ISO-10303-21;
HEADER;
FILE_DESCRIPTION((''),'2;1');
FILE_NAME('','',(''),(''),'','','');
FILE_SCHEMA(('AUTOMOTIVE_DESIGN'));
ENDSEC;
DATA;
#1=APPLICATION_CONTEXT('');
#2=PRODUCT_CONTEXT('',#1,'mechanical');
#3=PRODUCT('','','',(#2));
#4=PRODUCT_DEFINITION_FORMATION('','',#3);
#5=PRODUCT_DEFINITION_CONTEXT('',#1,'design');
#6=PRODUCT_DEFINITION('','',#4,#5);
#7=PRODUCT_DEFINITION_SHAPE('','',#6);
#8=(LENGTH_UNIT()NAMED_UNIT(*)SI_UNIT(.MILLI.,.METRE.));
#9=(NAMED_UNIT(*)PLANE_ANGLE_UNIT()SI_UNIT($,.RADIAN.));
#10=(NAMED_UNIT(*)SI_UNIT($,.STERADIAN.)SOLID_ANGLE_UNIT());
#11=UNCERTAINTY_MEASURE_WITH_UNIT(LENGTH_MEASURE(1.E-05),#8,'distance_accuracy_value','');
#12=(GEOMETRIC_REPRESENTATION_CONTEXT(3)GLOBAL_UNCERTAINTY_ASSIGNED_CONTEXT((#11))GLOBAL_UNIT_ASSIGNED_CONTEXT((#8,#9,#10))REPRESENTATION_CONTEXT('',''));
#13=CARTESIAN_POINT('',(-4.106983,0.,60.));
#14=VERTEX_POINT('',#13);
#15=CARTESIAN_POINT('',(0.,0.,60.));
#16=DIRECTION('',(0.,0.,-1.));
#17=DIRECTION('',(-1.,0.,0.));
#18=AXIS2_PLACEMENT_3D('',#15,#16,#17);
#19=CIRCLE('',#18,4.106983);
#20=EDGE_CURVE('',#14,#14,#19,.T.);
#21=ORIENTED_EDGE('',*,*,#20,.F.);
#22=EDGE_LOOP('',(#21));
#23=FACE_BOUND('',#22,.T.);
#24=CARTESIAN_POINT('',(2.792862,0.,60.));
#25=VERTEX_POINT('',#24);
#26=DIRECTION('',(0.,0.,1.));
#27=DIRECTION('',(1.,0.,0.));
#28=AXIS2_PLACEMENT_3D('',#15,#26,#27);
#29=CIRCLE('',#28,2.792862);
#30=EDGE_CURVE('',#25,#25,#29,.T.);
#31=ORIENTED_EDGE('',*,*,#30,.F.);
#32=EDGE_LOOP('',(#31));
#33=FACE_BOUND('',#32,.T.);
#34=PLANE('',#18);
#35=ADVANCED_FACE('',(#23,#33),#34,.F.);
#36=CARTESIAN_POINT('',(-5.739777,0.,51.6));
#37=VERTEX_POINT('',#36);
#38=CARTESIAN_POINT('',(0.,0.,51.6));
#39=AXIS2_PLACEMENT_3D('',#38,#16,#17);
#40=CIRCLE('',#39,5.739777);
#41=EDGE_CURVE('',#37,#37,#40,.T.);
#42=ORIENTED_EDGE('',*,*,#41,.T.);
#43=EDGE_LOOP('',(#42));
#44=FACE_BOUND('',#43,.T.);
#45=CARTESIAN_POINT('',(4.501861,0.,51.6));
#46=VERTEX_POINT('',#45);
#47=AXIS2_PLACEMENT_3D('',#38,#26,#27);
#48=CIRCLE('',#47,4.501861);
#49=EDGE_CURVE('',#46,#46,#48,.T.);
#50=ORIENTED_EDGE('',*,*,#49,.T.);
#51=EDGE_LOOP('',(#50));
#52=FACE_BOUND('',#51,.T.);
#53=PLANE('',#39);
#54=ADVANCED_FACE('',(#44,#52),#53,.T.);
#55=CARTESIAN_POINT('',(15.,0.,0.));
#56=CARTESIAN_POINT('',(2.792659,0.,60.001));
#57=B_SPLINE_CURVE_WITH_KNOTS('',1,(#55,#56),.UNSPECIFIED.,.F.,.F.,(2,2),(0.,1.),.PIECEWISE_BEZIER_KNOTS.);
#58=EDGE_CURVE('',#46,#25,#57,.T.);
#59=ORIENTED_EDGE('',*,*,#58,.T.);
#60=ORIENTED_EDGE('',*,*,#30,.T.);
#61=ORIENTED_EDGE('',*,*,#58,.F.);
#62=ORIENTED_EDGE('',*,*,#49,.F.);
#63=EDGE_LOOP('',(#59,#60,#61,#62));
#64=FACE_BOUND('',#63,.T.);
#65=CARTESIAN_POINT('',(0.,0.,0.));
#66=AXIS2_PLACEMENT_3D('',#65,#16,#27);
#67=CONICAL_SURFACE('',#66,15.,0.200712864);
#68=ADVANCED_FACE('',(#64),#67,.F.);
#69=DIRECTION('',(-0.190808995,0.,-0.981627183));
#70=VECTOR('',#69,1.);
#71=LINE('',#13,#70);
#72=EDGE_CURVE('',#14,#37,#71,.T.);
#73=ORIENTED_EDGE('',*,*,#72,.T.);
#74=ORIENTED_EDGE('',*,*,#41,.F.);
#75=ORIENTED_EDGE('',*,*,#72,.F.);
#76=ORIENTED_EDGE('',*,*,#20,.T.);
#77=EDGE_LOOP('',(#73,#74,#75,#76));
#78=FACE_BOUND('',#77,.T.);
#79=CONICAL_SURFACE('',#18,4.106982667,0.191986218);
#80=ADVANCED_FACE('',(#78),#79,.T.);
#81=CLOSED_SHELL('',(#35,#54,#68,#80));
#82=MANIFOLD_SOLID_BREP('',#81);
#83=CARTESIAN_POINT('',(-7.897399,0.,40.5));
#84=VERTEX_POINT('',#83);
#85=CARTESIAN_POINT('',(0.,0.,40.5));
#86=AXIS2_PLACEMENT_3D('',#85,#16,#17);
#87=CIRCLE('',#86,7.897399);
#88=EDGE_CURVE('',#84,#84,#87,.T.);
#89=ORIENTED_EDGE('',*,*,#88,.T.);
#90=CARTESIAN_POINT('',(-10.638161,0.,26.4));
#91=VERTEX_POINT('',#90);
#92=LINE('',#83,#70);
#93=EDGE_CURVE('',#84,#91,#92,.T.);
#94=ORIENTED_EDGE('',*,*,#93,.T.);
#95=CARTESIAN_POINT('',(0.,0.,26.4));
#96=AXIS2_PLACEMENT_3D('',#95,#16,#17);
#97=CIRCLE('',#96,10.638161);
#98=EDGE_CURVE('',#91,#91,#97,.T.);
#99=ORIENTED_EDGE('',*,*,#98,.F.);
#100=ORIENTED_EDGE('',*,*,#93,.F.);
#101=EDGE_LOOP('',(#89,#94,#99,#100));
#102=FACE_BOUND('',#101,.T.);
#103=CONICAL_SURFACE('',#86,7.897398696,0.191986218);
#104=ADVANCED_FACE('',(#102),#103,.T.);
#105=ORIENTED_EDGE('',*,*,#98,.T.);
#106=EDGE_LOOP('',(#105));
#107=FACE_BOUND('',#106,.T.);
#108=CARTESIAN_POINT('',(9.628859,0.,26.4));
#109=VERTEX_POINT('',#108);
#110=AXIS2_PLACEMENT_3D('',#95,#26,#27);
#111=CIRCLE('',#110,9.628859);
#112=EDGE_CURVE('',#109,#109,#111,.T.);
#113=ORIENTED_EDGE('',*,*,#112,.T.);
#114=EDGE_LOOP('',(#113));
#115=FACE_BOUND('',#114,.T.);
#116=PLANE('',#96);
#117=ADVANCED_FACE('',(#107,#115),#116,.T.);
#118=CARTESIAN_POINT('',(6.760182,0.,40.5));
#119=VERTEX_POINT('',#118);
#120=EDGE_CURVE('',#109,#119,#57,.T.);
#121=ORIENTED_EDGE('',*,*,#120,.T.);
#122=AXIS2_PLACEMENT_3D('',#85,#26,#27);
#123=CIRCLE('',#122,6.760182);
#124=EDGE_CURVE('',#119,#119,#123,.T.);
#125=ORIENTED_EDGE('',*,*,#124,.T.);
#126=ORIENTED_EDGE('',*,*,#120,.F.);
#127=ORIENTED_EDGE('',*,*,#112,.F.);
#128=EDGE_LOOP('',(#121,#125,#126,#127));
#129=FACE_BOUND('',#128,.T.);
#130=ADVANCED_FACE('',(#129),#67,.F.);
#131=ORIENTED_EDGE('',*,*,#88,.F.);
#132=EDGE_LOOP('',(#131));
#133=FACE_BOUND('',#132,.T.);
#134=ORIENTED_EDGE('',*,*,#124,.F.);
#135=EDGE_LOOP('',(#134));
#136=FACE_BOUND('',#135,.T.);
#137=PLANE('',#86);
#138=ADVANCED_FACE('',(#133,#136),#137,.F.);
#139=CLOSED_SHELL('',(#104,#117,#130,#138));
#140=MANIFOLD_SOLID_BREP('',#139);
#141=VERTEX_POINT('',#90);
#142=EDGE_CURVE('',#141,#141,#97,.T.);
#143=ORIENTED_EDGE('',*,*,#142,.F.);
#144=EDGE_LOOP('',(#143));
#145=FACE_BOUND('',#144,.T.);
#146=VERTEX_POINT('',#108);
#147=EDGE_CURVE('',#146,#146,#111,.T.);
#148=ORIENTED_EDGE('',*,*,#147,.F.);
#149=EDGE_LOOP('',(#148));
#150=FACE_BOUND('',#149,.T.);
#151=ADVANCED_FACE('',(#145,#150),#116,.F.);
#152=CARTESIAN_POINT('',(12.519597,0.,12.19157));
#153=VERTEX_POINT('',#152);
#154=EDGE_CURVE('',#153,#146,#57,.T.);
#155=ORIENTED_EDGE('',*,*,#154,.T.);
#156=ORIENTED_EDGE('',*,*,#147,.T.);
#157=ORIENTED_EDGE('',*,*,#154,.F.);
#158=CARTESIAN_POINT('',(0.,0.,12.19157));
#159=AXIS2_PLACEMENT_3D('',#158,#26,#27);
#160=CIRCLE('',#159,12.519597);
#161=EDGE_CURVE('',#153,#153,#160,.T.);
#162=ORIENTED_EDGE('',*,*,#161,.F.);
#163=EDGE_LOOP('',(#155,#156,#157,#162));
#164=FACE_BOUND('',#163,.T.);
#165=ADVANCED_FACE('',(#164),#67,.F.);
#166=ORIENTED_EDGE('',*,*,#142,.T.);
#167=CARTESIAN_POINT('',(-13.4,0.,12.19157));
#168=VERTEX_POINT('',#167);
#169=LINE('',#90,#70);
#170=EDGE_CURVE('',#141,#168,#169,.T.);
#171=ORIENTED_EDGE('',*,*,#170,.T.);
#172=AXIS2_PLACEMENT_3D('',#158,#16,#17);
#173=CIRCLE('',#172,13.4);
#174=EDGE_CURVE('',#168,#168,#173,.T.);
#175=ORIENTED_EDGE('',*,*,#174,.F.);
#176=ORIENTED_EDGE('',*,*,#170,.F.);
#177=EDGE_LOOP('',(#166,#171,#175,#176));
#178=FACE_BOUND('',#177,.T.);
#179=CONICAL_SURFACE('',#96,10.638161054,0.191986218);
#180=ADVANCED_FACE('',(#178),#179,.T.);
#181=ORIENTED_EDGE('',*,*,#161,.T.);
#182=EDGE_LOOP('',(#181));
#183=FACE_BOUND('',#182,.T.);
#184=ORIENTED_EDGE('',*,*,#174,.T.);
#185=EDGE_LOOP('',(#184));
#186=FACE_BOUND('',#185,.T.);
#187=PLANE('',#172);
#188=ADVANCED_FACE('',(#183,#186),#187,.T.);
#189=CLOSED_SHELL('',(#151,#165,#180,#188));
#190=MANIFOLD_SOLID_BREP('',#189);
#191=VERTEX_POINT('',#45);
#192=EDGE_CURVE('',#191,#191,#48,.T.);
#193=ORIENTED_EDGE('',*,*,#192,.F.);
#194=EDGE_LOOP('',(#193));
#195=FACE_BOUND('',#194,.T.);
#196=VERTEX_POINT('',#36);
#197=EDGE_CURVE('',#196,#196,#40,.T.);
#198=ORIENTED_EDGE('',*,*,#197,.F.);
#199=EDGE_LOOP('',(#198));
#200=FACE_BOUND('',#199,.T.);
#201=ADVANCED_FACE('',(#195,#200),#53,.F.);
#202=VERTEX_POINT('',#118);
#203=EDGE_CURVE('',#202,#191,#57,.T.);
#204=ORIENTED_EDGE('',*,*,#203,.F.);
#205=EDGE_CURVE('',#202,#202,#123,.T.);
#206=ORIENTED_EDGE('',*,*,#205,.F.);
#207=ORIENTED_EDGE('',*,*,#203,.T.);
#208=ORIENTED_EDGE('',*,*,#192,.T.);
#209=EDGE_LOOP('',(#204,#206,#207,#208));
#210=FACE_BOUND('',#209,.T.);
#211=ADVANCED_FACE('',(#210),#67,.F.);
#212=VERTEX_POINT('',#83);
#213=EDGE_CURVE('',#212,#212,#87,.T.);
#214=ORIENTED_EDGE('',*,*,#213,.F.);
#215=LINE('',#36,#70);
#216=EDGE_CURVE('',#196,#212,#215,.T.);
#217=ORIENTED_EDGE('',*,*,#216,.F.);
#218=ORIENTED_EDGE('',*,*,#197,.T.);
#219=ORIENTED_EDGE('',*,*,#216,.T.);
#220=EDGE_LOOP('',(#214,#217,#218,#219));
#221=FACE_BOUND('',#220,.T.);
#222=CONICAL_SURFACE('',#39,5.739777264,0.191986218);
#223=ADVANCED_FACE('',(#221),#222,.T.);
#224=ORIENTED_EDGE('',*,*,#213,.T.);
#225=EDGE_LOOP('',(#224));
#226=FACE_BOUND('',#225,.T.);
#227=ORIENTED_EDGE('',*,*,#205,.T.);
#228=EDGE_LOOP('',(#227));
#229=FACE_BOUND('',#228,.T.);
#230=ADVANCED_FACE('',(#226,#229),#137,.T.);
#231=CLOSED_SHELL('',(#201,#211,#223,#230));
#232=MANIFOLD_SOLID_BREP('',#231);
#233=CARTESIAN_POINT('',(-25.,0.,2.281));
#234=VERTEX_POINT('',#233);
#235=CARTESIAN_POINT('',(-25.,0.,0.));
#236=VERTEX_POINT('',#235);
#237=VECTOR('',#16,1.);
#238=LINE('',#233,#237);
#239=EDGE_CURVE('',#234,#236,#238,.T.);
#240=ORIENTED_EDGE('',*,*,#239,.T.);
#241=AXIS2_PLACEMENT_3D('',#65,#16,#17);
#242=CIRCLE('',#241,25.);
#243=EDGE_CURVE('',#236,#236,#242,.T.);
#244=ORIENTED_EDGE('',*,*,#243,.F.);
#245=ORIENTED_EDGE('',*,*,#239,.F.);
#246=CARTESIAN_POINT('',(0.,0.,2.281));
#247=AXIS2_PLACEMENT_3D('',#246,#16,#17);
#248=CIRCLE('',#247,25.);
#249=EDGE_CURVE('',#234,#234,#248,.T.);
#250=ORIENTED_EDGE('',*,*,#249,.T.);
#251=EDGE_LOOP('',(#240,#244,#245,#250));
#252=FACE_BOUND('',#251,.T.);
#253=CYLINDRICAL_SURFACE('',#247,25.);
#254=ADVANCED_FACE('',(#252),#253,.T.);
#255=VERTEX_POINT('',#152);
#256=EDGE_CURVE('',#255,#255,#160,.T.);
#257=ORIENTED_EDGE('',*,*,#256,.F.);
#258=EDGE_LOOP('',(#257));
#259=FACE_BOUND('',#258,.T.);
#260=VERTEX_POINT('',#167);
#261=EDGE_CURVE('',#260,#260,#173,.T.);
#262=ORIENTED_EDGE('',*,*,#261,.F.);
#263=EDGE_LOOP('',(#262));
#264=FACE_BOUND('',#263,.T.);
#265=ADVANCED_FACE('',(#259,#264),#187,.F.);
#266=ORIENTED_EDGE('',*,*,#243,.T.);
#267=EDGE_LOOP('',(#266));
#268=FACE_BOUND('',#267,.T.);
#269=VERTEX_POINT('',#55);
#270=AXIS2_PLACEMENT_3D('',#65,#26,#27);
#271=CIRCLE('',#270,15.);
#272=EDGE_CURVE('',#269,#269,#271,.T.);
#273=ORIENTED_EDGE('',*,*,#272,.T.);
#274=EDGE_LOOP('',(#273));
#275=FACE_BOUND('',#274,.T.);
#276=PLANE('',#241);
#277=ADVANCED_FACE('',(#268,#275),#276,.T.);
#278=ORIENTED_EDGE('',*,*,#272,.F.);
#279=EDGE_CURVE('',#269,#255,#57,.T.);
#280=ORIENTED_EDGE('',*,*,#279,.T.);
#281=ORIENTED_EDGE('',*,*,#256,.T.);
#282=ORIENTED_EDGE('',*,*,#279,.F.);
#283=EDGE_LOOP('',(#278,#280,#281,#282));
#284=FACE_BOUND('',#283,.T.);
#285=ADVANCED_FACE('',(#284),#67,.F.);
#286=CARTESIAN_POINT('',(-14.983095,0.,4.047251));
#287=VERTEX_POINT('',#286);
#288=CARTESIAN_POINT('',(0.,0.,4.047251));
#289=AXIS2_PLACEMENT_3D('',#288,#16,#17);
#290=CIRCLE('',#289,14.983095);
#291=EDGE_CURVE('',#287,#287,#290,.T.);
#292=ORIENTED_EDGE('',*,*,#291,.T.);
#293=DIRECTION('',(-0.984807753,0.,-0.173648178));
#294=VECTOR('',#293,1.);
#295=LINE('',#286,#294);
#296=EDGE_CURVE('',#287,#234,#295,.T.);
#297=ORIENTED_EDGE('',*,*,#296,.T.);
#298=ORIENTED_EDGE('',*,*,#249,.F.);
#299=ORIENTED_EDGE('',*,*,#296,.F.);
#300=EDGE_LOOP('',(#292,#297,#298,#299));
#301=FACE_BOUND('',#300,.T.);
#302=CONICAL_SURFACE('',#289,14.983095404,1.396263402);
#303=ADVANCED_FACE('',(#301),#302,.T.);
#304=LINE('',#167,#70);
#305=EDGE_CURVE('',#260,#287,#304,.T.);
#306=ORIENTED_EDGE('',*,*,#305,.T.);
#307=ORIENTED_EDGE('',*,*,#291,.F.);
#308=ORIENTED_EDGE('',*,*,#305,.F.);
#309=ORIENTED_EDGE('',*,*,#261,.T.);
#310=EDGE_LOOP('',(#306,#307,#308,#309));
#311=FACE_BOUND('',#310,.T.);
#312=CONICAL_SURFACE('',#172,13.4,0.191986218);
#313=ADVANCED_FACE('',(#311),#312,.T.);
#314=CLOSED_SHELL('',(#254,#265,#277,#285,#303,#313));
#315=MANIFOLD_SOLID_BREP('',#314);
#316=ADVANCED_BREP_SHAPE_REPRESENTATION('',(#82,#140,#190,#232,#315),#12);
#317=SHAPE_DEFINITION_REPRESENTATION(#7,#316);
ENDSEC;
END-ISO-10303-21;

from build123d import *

# Parameters (mm, degrees)
F6_R     = 15
F7_DEPTH = 60.001
F7_TAPER = 11.5


with BuildPart() as f1:
    # F0 (on Front) → F1 (revolve)
    with BuildSketch(Plane.XZ):
        Polygon((-5.7397772641, 51.6), (0, 51.6), (0, 60), (-4.1069826674, 60), align=None)
    revolve(axis=Axis((0, 0, 30), (0, 0, -1)))


with BuildPart() as f2:
    # F0 (on Front) → F2 (revolve)
    with BuildSketch(Plane.XZ):
        Polygon((-7.8973986956, 40.5), (0, 40.5), (0, 51.6), (-5.7397772641, 51.6), align=None)
    revolve(axis=Axis((0, 0, 30), (0, 0, -1)))


with BuildPart() as f3:
    # F0 (on Front) → F3 (revolve)
    with BuildSketch(Plane.XZ):
        Polygon((-10.6381610544, 26.4), (0, 26.4), (0, 40.5), (-7.8973986956, 40.5), align=None)
    revolve(axis=Axis((0, 0, 30), (0, 0, -1)))


with BuildPart() as f4:
    # F0 (on Front) → F4 (revolve)
    with BuildSketch(Plane.XZ):
        Polygon((-13.4, 12.191570361), (0, 12.191570361), (0, 26.4), (-10.6381610544, 26.4), align=None)
    revolve(axis=Axis((0, 0, 30), (0, 0, -1)))


with BuildPart() as f5:
    # F0 (on Front) → F5 (revolve)
    with BuildSketch(Plane.XZ):
        Polygon((-25, 2.281), (-25, 0), (0, 0), (0, 12.191570361), (-13.4, 12.191570361), (-14.9830954039, 4.0472505435), align=None)
    revolve(axis=Axis((0, 0, 30), (0, 0, -1)))


with BuildPart() as f7_tool:
    # F6 (on face) → F7 (new body, through all)
    with BuildSketch(Plane(origin=(0, 0, 0), x_dir=(1, 0, 0), z_dir=(0, 0, -1))):
        Circle(F6_R)
    extrude(amount=-F7_DEPTH, taper=F7_TAPER)


with BuildPart() as f1_1:
    add(f1.part)

    # F7: cut by f7_tool
    add(f7_tool.part, mode=Mode.SUBTRACT)


with BuildPart() as f2_1:
    add(f2.part)

    # F7: cut by f7_tool
    add(f7_tool.part, mode=Mode.SUBTRACT)


with BuildPart() as f3_1:
    add(f3.part)

    # F7: cut by f7_tool
    add(f7_tool.part, mode=Mode.SUBTRACT)


with BuildPart() as f4_1:
    add(f4.part)

    # F7: cut by f7_tool
    add(f7_tool.part, mode=Mode.SUBTRACT)


with BuildPart() as f5_1:
    add(f5.part)

    # F7: cut by f7_tool
    add(f7_tool.part, mode=Mode.SUBTRACT)


solid = Compound([f1_1.part, f2_1.part, f3_1.part, f4_1.part, f5_1.part])
